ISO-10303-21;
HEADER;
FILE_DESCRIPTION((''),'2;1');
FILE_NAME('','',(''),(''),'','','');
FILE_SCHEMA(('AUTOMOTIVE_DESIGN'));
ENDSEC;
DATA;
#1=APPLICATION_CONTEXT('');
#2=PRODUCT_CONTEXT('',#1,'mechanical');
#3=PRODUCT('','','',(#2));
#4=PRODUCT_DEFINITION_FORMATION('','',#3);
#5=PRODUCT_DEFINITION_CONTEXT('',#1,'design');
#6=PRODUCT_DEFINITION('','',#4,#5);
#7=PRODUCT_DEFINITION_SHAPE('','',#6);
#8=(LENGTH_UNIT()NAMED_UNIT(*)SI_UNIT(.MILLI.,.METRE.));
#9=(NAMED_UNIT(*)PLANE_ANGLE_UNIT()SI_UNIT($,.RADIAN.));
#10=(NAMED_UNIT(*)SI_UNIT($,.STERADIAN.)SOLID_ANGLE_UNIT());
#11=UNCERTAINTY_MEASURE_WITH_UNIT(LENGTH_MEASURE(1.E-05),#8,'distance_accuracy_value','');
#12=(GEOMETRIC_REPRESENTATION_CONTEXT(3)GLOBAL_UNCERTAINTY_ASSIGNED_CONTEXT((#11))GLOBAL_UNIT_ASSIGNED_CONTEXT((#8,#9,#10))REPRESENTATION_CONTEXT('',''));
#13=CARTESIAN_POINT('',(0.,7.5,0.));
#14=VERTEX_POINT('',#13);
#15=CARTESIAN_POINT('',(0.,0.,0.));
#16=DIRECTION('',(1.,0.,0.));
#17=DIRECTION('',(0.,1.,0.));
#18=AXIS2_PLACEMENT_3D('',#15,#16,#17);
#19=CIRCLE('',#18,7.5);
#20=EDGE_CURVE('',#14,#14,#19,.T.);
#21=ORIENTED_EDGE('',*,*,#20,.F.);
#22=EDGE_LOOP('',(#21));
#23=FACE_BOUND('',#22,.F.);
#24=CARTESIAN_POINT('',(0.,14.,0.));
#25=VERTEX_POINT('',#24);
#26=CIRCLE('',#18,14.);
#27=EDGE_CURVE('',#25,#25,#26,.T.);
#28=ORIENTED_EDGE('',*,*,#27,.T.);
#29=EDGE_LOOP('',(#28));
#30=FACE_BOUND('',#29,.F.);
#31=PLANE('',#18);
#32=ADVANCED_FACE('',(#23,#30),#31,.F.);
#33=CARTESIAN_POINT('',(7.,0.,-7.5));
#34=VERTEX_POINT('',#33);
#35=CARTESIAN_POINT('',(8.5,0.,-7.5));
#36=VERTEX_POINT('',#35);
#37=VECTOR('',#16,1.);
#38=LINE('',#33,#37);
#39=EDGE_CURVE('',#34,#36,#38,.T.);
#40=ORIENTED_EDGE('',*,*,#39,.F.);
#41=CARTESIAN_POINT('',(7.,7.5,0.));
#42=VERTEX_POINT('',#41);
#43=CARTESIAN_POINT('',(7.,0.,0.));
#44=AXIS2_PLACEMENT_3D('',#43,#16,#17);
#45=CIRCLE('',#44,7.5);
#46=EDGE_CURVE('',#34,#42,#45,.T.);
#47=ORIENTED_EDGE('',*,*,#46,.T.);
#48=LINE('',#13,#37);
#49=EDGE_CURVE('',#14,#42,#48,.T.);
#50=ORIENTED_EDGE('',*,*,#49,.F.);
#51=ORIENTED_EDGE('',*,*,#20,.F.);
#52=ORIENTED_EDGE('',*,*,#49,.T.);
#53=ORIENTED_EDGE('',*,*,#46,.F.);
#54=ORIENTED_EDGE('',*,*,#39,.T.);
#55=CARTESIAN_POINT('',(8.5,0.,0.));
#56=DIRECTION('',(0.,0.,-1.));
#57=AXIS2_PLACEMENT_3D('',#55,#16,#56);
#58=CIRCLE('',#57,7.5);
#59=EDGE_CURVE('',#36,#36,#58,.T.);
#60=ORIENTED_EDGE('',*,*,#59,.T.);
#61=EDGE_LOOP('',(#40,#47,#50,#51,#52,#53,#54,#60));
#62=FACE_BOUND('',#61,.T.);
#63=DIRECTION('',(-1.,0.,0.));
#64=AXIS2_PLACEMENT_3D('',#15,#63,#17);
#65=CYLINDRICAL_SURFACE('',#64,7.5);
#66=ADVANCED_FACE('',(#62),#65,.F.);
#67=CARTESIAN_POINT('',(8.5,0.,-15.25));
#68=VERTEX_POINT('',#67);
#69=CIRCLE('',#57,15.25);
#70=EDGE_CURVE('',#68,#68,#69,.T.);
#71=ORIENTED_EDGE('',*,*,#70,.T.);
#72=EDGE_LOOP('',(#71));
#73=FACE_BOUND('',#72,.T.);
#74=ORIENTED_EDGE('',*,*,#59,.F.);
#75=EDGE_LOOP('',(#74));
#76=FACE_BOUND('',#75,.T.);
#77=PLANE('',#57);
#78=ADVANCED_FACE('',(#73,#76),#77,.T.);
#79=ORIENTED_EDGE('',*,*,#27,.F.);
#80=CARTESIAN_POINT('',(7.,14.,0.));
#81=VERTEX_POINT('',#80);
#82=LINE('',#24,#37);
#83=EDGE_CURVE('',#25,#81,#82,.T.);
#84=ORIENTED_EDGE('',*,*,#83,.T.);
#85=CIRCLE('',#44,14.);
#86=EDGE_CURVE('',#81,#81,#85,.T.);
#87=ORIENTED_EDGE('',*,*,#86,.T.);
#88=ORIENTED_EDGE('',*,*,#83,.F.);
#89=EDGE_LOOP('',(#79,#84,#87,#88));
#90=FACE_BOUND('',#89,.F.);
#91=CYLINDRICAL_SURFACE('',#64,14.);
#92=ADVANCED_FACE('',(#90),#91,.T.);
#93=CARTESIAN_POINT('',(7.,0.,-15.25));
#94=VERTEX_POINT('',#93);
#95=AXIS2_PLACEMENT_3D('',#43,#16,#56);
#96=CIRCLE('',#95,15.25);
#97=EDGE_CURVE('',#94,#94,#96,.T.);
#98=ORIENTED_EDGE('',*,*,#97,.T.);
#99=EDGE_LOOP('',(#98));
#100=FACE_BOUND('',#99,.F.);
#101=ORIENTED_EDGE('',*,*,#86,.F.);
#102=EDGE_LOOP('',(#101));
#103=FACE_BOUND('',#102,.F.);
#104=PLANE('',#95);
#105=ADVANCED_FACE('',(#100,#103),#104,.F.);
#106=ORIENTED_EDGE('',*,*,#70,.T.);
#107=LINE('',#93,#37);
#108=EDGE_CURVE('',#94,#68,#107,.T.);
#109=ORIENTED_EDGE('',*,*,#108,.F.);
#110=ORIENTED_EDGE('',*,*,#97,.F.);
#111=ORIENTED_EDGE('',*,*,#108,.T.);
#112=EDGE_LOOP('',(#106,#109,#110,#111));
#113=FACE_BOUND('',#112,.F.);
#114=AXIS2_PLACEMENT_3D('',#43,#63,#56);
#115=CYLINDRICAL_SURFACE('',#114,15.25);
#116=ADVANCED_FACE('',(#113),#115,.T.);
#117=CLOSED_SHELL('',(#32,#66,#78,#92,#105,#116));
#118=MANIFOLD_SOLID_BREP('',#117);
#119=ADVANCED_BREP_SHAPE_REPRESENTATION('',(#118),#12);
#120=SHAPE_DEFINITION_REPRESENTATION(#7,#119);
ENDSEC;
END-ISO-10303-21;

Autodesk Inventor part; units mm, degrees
ref_plane "YZ Plane" through (0, 0, 0) normal (1, 0, 0) x (0, 1, 0)
ref_plane "XZ Plane" through (0, 0, 0) normal (0, 1, 0) x (-1, 0, 0)
ref_plane "XY Plane" through (0, 0, 0) normal (0, 0, 1) x (1, 0, 0)
sketch "Sketch1" plane through (0, 0, 0) normal (1, 0, 0) x (0, 1, 0)
  circle A0 centre (0, 0) radius 7.5
  circle A1 centre (0, 0) radius 14
  dimension "d0" = 15
  dimension "d1" = 28
extrude "Extrusion1" add sketch "Sketch1" along normal blind 7
sketch "Sketch2" plane through (7, 0, 0) normal (1, 0, 0) x (0, 0, -1)
  circle A0 centre (0, 0) radius 7.5
  circle A1 centre (0, 0) radius 15.25
  dimension "d4" = 15
  dimension "d5" = 30.5
extrude "Extrusion2" add sketch "Sketch2" along normal blind 1.5
properties part number "F6902" material "Steel, Alloy"
